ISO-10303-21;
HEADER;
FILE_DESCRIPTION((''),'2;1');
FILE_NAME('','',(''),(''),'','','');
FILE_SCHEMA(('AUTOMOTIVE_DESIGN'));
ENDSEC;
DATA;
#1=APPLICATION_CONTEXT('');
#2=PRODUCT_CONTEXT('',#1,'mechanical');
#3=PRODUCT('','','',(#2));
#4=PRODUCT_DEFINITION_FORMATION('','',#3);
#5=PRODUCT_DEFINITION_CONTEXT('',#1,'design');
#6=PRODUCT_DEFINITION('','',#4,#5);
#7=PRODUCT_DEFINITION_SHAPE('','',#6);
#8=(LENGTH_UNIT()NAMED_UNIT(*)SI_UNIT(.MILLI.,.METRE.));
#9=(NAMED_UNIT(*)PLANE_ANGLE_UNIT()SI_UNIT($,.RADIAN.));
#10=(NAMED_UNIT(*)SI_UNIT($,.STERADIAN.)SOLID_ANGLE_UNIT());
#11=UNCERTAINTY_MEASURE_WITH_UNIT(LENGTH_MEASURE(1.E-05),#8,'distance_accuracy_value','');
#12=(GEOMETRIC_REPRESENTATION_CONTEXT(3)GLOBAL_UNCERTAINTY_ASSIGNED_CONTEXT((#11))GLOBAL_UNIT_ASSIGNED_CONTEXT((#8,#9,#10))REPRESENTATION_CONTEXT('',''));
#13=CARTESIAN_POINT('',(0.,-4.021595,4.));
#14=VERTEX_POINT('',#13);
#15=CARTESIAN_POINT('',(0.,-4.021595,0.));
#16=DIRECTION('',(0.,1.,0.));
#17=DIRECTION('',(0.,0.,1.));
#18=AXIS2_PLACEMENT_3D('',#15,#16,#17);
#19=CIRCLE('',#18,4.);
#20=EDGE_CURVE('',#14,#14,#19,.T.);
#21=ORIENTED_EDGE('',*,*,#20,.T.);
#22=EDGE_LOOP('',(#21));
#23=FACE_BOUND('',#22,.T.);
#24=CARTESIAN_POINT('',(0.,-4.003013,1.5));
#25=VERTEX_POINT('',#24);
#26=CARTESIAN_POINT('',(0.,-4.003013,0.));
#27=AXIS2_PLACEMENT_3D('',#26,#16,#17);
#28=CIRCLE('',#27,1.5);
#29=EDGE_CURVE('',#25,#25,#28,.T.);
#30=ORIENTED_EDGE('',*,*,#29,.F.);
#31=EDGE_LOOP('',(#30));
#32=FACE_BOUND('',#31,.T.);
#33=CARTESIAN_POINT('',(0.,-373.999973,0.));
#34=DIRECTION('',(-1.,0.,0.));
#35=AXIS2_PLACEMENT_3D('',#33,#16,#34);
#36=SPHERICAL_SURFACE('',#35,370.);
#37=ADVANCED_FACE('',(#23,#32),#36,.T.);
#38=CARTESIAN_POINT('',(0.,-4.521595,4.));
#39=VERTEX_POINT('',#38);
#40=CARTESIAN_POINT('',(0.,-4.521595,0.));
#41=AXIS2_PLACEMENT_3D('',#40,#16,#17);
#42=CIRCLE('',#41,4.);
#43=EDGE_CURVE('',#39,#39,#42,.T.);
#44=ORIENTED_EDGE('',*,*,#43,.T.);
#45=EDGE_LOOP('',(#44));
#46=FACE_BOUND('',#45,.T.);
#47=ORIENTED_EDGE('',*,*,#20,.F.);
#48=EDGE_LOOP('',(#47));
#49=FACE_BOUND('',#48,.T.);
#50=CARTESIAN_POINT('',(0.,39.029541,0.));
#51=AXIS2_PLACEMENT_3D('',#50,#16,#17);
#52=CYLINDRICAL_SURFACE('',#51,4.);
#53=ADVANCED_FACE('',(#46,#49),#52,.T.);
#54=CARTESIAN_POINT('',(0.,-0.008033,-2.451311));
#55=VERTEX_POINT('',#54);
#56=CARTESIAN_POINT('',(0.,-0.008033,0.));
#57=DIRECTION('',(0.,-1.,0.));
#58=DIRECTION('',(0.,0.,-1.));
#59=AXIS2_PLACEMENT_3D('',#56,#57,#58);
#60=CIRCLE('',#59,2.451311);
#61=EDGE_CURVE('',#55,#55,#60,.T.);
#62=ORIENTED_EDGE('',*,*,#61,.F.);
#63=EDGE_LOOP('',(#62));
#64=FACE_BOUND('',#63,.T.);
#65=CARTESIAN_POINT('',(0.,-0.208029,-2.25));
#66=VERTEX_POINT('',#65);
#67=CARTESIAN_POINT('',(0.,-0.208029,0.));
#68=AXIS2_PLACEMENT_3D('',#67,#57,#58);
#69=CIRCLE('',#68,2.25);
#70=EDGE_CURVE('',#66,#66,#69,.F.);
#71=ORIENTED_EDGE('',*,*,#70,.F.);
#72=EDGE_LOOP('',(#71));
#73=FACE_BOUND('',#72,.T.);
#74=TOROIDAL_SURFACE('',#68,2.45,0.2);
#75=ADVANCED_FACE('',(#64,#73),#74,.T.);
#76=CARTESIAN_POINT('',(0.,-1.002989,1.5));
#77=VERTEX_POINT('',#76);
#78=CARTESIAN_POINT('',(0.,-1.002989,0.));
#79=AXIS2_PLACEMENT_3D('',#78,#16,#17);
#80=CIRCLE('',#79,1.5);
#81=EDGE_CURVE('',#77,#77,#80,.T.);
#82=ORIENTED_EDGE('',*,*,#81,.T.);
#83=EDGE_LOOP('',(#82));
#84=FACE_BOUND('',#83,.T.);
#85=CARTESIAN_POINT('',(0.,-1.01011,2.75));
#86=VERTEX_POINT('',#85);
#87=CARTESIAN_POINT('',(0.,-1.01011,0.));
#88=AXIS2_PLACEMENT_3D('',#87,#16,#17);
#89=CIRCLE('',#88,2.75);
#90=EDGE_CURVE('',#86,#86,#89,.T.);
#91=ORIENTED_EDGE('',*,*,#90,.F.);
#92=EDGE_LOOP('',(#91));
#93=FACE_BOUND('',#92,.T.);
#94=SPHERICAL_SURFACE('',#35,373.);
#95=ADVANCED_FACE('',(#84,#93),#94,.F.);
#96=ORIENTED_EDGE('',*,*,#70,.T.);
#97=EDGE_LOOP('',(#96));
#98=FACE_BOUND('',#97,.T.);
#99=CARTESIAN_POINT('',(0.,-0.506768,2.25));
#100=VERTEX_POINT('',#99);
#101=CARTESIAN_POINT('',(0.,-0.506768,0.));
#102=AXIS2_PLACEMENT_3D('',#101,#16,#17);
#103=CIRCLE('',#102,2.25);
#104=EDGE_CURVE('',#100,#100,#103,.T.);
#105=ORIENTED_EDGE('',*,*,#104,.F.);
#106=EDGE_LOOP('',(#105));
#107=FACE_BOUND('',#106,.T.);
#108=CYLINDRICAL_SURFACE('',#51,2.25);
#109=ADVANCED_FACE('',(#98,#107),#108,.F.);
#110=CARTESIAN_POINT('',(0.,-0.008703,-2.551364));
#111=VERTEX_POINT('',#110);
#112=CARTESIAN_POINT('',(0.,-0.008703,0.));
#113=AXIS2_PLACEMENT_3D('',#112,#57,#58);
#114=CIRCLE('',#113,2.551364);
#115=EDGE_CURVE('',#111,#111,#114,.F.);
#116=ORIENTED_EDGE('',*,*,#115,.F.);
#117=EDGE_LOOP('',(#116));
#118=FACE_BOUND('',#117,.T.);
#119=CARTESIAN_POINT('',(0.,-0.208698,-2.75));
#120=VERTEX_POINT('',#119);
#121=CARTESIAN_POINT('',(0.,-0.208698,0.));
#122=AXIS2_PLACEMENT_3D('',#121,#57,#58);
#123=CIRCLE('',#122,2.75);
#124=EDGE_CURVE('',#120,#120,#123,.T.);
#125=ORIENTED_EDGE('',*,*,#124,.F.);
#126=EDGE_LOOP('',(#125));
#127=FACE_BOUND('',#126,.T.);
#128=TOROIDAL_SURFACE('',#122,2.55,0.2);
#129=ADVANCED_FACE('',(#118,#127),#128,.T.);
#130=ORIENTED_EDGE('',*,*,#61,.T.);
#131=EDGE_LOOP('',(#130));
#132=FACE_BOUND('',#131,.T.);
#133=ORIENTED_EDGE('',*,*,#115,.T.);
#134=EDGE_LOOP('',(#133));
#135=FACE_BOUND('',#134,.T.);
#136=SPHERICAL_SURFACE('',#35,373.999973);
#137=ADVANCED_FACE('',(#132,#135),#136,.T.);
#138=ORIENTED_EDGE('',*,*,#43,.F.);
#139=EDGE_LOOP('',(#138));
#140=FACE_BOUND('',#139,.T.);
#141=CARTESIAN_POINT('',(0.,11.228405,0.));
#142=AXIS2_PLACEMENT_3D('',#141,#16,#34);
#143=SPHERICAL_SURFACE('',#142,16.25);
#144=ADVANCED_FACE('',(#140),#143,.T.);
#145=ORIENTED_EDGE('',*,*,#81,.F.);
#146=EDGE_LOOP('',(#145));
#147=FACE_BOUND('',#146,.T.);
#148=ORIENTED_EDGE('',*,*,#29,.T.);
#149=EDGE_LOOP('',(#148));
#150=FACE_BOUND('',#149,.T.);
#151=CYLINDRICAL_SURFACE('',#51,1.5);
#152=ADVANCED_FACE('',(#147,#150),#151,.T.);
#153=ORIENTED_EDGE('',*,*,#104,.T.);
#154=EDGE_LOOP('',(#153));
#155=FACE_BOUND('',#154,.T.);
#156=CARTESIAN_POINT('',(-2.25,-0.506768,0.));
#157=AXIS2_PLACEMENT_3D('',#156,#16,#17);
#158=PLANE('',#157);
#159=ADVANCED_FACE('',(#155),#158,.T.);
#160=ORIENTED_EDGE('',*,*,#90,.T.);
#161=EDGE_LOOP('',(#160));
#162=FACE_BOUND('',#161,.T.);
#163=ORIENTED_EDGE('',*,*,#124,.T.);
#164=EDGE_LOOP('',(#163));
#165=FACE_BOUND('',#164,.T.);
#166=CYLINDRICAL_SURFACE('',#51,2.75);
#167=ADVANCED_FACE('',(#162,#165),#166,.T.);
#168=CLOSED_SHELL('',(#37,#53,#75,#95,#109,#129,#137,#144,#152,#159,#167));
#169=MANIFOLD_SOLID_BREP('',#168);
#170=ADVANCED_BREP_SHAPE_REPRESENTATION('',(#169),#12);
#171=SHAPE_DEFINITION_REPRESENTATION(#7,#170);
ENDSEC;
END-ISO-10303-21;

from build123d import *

# Parameters (mm, degrees)
CONG_1_R = 0.2


with BuildPart() as part:
    # Esquisse1 → Révolution1 (revolve)
    with BuildSketch(Plane.XY, mode=Mode.PRIVATE) as r_volution1_sk:
        with BuildLine():
            Line((-1.5, -1.002988992), (-1.5, -4.003013447))
            ThreePointArc((-1.5, -4.003013447), (-2.750015694, -4.010192747), (-4, -4.021595148))
            Line((-4, -4.021595148), (-4, -4.521595148))
            ThreePointArc((-4, -4.521595148), (-2.015564437, -4.896110644), (0, -5.021595148))
            Line((0, -5.021595148), (0, -0.50676811))
            Line((0, -0.50676811), (-2.25, -0.50676811))
            Line((-2.25, -0.50676811), (-2.25, -0.00676811))
            ThreePointArc((-2.25, -0.00676811), (-2.500000559, -0.008355713), (-2.75, -0.010110432))
            Line((-2.75, -0.010110432), (-2.75, -1.010110432))
            ThreePointArc((-2.75, -1.010110432), (-2.125002983, -1.006026077), (-1.5, -1.002988992))
        make_face()
    revolve(r_volution1_sk.sketch.rotate(Axis((0, 39.029541446, 0), (0, -1, 0)), 270), axis=Axis((0, 39.029541446, 0), (0, -1, 0)))  # turned: the seam where the file's is

    # Congé1
    cong_1_edges = [part.edges().sort_by_distance(p)[0] for p in [
        (0, -0.010110432, -2.75),
        (0, -0.00676811, -2.25),
    ]]
    fillet(cong_1_edges, radius=CONG_1_R)


solid = part.part
